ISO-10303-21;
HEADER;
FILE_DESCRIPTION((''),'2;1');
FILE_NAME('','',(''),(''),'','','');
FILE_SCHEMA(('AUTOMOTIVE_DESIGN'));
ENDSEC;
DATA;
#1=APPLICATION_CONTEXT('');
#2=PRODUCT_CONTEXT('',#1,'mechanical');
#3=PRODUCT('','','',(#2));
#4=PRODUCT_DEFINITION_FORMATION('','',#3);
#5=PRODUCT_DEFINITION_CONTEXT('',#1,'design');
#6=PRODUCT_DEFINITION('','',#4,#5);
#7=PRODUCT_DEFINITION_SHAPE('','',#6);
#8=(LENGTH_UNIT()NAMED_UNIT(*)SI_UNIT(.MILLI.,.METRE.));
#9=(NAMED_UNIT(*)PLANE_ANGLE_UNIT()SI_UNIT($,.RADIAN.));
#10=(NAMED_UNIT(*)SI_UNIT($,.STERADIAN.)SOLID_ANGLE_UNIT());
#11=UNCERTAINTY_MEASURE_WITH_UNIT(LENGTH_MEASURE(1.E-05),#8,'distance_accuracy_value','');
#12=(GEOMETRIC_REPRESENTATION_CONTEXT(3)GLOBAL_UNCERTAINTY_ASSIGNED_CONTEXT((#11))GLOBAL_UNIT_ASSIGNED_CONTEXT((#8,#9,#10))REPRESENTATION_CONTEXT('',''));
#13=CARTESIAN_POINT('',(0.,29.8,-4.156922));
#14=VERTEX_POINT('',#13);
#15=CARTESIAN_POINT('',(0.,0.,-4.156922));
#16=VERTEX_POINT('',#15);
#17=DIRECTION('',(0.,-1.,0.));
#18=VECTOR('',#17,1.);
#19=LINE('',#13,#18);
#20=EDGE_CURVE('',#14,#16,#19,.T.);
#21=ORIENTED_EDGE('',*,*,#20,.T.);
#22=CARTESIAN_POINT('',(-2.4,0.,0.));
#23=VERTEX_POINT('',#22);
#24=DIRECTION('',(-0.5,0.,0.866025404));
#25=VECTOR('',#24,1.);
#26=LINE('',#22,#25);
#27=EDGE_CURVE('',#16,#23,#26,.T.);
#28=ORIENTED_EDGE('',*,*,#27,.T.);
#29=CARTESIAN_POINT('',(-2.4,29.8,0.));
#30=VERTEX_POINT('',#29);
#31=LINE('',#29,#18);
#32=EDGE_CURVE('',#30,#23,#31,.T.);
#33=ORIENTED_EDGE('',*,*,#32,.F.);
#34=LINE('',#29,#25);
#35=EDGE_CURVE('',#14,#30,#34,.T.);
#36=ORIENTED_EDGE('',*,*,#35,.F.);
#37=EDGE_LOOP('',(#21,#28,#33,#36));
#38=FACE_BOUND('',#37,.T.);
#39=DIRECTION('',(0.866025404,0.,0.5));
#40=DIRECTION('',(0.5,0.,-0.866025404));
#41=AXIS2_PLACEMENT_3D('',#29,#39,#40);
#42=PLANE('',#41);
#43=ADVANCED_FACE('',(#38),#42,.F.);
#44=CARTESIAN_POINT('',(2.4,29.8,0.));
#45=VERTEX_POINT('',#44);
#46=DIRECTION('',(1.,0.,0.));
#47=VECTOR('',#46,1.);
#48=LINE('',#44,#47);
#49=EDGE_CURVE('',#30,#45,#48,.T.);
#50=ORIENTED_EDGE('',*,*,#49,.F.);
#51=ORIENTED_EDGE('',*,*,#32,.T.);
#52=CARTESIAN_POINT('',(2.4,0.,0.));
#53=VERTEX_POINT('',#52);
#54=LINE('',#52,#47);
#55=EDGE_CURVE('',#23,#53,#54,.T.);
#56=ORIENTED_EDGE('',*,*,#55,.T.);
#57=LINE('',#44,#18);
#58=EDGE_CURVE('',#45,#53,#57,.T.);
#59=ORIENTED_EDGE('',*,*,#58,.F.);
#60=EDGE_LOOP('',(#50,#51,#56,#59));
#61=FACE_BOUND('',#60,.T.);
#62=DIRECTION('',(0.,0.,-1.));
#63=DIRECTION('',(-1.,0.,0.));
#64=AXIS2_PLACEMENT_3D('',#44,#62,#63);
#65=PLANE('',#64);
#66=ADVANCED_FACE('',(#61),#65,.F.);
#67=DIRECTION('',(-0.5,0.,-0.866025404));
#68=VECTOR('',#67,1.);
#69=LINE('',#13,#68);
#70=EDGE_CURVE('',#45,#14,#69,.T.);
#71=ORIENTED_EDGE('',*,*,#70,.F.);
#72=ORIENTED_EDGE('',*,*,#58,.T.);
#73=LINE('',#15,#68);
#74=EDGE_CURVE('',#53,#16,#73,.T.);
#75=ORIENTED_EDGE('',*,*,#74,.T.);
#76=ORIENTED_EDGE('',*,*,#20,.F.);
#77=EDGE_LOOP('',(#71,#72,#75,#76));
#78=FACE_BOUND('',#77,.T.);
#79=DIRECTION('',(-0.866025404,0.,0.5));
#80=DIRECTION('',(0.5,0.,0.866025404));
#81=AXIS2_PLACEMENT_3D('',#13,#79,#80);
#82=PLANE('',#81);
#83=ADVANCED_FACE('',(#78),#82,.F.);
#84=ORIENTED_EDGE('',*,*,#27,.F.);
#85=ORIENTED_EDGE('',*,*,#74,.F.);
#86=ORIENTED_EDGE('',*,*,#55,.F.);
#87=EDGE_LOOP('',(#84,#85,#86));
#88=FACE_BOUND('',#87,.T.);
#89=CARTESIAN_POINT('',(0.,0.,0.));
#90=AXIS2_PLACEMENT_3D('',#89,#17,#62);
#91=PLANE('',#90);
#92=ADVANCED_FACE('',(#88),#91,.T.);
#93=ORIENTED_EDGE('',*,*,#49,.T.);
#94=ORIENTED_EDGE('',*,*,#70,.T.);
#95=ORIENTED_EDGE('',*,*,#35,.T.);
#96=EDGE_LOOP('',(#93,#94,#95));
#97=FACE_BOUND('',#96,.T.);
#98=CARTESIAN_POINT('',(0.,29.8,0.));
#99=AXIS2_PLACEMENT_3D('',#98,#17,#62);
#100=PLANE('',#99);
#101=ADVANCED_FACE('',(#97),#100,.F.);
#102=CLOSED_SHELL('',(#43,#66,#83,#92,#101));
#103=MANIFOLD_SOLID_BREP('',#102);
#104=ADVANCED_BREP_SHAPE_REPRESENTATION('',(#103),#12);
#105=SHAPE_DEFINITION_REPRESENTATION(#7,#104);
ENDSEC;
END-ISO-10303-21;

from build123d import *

# Parameters (mm, degrees)
BOSS_EXTRUDE1_DEPTH = 29.8


with BuildPart() as part:
    # Sketch1 → Boss-Extrude1 (new body)
    with BuildSketch(Plane(origin=(0, 0, 0), x_dir=(1, 0, 0), z_dir=(0, 1, 0))):
        Polygon((-2.4, 0), (0, 4.156921938), (2.4, 0), align=None)
    extrude(amount=BOSS_EXTRUDE1_DEPTH)


solid = part.part
